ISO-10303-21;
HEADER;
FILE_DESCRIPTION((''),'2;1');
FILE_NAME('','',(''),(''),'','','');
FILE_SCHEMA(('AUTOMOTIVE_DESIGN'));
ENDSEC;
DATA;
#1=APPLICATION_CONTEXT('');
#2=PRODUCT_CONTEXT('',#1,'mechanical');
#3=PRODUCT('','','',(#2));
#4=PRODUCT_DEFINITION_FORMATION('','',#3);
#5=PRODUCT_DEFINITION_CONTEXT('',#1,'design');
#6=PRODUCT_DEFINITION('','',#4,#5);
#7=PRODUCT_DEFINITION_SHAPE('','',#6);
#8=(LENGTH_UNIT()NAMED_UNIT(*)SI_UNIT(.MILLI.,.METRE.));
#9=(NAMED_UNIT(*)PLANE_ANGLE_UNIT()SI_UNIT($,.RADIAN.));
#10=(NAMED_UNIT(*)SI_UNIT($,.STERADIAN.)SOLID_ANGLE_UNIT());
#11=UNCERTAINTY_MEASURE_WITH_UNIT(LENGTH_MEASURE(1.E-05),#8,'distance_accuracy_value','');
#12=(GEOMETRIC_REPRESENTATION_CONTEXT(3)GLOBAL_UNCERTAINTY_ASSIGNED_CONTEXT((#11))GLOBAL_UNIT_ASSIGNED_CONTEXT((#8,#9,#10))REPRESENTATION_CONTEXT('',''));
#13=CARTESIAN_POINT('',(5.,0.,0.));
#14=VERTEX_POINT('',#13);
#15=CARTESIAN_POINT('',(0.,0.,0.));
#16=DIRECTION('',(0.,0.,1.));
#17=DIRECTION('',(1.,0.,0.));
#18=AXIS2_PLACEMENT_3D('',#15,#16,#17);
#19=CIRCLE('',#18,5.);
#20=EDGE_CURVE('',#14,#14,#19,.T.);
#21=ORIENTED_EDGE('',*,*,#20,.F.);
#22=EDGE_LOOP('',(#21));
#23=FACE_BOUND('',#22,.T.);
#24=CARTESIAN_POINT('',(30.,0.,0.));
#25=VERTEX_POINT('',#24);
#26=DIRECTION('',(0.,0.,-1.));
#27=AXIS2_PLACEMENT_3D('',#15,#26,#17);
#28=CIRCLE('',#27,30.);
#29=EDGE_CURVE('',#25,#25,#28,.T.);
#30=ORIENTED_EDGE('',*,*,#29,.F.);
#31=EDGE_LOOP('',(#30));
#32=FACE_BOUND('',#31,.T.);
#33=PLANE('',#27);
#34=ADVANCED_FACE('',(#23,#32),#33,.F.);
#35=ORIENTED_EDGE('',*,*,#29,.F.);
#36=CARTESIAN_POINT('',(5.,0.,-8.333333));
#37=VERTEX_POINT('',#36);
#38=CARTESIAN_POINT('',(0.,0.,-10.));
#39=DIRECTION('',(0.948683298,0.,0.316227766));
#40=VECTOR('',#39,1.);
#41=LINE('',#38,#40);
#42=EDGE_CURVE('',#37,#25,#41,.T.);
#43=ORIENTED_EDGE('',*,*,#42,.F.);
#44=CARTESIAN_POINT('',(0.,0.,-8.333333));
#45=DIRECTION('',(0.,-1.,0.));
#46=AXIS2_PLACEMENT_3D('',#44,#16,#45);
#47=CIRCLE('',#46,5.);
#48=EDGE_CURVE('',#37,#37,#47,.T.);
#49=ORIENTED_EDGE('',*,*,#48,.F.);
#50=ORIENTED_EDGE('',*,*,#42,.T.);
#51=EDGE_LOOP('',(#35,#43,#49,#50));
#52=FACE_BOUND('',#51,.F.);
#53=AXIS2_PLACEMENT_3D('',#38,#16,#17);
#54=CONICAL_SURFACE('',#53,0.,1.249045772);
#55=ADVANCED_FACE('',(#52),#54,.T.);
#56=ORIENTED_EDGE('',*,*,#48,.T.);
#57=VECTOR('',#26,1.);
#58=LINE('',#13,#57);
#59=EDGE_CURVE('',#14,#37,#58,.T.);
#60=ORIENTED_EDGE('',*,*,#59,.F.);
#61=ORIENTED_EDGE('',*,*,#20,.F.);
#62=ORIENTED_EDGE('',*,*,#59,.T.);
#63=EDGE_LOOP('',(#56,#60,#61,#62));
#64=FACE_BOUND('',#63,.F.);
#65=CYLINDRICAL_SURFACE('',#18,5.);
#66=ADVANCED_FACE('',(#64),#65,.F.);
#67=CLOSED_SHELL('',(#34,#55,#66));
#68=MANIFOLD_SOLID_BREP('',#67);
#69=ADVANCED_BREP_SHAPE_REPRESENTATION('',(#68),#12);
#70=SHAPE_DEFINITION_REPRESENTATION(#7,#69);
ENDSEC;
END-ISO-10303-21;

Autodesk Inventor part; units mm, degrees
ref_plane "YZ Plane" through (0, 0, 0) normal (1, 0, 0) x (0, 1, 0)
ref_plane "XZ Plane" through (0, 0, 0) normal (0, 1, 0) x (-1, 0, 0)
ref_plane "XY Plane" through (0, 0, 0) normal (0, 0, 1) x (1, 0, 0)
sketch "Sketch1" plane through (0, 0, 0) normal (0, 1, 0) x (-1, 0, 0)
  line L0 (0, 0) -> (0, -10)
  line L1 (0, 0) -> (-30, 0)
  line L2 (0, -10) -> (-30, 0)
  dimension "d3" = 30
  dimension "d4" = 10
revolve "Revolution1" add sketch "Sketch1" angle 360 about axis through (0, 0, 0) along (0, 0, -1)
sketch "Sketch2" plane through (0, 0, 0) normal (0, 0, 1) x (1, 0, 0)
  circle A0 centre (0, 0) radius 30 projected
  circle A1 centre (0, 0) radius 5
  dimension "d6" = 10
extrude "Extrusion2" cut sketch "Sketch2" against normal blind 10 contours A1
properties part number "Pump_top"
